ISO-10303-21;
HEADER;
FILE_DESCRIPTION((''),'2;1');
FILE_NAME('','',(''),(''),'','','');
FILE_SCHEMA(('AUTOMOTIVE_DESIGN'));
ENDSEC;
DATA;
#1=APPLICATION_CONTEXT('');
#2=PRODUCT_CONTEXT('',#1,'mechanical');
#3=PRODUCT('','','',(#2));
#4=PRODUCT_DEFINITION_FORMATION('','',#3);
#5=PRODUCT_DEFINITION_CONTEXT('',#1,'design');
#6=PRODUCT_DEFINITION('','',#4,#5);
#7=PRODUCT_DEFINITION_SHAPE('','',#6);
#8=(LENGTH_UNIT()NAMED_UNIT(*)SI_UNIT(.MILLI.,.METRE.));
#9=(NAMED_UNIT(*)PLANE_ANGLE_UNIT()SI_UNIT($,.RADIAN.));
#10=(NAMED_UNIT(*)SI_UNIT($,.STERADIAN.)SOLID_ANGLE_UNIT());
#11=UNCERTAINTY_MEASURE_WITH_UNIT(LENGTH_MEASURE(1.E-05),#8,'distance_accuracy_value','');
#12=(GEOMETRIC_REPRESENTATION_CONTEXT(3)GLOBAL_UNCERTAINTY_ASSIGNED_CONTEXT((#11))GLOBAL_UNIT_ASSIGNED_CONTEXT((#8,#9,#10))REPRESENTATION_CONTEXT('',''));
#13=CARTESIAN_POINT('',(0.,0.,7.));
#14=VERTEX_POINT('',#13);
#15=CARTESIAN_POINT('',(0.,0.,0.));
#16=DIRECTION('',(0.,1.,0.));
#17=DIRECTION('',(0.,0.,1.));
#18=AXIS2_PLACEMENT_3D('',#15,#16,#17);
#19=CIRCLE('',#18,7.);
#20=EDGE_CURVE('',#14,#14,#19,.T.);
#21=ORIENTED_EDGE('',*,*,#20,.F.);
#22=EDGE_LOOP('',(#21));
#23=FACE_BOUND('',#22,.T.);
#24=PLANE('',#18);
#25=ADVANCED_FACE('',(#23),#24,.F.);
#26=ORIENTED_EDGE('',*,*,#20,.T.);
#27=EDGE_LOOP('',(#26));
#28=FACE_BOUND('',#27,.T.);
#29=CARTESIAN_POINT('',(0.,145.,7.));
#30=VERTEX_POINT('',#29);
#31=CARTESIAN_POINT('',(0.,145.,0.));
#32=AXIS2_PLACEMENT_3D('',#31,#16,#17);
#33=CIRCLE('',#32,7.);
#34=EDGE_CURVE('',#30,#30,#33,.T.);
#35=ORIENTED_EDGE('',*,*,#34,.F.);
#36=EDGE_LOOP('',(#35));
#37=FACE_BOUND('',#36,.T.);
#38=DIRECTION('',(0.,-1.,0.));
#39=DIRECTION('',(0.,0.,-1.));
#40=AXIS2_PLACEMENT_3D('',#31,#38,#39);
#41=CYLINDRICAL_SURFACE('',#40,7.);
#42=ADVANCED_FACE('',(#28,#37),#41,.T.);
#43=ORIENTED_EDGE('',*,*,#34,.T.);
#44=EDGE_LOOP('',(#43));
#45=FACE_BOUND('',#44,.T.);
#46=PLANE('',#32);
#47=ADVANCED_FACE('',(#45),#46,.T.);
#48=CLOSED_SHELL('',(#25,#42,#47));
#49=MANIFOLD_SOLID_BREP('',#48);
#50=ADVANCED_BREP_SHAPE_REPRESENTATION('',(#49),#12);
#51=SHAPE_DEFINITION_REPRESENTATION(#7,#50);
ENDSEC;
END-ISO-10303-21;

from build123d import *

# Parameters (mm, degrees)
SKETCH_1_R      = 7
EXTRUDE_1_DEPTH = 145


with BuildPart() as part:
    # 草图1 → 凸台-拉伸1 (new body)
    with BuildSketch(Plane(origin=(0, 0, 0), x_dir=(1, 0, 0), z_dir=(0, 1, 0))):
        Circle(SKETCH_1_R)
    extrude(amount=EXTRUDE_1_DEPTH)


solid = part.part
